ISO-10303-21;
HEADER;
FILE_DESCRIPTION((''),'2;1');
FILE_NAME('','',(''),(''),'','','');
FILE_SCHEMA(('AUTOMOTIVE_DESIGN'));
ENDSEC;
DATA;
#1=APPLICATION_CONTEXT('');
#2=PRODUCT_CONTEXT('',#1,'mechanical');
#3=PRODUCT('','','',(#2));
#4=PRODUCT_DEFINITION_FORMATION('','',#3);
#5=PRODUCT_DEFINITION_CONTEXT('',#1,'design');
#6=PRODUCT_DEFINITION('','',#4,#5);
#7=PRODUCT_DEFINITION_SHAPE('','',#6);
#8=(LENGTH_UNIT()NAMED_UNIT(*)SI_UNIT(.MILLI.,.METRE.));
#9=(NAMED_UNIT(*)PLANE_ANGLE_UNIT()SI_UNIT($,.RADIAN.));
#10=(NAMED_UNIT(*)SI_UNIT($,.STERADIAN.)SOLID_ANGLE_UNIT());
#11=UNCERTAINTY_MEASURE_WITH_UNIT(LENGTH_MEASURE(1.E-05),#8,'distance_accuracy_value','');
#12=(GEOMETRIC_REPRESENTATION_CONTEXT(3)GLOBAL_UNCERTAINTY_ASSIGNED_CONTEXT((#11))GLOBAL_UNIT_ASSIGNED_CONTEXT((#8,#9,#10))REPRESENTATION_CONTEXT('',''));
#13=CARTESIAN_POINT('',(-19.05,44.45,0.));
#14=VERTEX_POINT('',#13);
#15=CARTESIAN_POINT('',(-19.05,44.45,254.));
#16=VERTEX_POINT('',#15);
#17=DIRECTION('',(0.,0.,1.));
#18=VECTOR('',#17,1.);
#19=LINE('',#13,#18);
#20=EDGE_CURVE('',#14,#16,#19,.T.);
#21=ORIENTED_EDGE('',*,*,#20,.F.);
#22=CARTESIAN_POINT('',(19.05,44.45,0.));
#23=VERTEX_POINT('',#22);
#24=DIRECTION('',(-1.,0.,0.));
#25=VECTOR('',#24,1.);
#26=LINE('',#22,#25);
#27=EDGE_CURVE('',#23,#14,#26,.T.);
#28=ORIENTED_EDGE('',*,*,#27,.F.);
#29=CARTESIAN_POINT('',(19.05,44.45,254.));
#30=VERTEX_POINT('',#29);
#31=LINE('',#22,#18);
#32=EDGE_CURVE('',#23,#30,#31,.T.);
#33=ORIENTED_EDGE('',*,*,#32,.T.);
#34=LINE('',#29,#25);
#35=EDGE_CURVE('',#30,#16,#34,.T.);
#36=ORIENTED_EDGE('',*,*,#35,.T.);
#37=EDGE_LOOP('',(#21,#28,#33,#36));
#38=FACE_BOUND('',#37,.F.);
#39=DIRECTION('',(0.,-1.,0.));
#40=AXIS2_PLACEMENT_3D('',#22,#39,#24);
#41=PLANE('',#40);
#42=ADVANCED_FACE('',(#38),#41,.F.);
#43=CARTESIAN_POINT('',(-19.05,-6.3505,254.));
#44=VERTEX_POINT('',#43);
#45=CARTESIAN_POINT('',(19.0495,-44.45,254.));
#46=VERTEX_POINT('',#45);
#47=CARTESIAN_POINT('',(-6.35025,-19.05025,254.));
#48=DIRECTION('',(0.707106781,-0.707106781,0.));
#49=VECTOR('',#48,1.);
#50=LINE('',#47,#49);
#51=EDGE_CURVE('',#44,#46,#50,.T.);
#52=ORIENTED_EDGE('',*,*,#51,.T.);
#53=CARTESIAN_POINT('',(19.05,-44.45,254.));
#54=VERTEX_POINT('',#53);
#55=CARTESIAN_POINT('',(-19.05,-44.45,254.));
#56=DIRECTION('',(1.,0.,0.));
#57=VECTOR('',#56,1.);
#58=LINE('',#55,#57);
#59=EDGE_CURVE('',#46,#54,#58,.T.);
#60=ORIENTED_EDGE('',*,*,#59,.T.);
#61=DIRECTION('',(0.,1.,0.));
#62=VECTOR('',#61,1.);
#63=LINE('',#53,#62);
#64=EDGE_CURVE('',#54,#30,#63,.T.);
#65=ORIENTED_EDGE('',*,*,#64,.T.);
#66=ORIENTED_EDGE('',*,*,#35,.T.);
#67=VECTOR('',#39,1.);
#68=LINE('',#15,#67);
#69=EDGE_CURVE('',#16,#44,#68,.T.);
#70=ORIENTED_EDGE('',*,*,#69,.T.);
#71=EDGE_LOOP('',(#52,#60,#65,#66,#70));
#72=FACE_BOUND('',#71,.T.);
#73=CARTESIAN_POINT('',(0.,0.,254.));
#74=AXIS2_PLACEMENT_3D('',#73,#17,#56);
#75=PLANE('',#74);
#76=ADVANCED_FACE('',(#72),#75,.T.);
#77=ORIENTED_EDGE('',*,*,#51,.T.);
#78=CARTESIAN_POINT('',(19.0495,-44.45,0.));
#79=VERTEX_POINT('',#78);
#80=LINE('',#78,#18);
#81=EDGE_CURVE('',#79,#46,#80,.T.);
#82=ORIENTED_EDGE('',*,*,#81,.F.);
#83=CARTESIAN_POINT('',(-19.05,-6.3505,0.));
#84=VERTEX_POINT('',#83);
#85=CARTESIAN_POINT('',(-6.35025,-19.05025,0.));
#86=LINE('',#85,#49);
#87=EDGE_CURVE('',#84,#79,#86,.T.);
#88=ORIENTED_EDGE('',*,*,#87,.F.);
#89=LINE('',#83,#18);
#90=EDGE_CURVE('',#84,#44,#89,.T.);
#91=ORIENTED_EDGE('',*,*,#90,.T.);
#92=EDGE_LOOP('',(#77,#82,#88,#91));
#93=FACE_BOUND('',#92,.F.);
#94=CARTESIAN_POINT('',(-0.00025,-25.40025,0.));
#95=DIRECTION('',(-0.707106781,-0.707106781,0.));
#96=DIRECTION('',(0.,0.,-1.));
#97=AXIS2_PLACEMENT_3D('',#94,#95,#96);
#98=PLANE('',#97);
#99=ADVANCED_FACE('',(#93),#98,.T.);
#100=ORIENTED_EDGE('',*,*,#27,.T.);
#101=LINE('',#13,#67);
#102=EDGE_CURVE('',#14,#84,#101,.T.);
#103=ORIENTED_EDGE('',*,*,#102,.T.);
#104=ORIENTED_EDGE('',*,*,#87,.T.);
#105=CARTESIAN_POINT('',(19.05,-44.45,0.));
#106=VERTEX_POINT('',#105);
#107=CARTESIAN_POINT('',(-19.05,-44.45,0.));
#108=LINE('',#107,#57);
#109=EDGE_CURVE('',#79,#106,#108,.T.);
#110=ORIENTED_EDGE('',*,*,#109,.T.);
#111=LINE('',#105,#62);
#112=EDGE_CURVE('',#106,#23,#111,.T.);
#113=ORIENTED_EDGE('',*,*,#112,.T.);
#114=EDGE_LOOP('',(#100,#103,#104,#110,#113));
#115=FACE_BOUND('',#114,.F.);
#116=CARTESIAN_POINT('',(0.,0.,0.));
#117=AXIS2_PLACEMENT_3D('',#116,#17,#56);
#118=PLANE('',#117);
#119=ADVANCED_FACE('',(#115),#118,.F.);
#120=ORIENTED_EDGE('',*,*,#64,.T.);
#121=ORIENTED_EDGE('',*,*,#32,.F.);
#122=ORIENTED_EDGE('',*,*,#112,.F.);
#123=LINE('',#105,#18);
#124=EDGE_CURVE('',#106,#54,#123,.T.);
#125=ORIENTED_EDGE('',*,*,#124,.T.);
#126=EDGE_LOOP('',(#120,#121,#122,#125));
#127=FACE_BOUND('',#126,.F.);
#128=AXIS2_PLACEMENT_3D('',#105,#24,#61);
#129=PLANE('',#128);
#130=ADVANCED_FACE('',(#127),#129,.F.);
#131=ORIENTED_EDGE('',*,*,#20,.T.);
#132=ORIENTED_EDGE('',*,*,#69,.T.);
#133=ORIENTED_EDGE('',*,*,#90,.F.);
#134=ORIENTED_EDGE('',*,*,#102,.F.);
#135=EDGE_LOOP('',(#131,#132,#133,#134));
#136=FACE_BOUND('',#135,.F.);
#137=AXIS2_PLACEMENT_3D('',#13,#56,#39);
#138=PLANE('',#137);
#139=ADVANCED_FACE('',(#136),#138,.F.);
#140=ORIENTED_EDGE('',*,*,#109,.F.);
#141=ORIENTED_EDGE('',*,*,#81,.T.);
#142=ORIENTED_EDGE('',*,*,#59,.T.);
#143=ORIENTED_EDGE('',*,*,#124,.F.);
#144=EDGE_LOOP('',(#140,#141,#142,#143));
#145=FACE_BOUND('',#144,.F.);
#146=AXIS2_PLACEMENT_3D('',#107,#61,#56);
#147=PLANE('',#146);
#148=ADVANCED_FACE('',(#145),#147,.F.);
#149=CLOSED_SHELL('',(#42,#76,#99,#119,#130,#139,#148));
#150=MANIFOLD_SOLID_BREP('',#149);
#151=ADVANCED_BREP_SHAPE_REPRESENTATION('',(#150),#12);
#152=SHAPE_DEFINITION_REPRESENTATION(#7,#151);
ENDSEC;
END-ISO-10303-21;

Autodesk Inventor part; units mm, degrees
ref_plane "YZ Plane" through (0, 0, 0) normal (1, 0, 0) x (0, 1, 0)
ref_plane "XZ Plane" through (0, 0, 0) normal (0, 1, 0) x (-1, 0, 0)
ref_plane "XY Plane" through (0, 0, 0) normal (0, 0, 1) x (1, 0, 0)
sketch "Sketch1" plane through (0, 0, 0) normal (0, 0, 1) x (1, 0, 0)
  line L0 (-19.05, -44.45) -> (19.05, -44.45)
  line L1 (19.05, -44.45) -> (19.05, 44.45)
  line L2 (19.05, 44.45) -> (-19.05, 44.45)
  line L3 (-19.05, 44.45) -> (-19.05, -44.45)
  line L4 (-19.05, -44.45) -> (19.05, 44.45) construction
  line L5 (19.05, -44.45) -> (-19.05, 44.45) construction
  point P0 (0, 0)
  dimension "d0" = 38.1
  dimension "d1" = 88.9
extrude "Extrusion1" add sketch "Sketch1" along normal blind 254
chamfer "Chamfer1" distance 38.1 angle 45 1 edges at (-19.05, -44.45, 127)
properties part number "ShieldMount2x4"
